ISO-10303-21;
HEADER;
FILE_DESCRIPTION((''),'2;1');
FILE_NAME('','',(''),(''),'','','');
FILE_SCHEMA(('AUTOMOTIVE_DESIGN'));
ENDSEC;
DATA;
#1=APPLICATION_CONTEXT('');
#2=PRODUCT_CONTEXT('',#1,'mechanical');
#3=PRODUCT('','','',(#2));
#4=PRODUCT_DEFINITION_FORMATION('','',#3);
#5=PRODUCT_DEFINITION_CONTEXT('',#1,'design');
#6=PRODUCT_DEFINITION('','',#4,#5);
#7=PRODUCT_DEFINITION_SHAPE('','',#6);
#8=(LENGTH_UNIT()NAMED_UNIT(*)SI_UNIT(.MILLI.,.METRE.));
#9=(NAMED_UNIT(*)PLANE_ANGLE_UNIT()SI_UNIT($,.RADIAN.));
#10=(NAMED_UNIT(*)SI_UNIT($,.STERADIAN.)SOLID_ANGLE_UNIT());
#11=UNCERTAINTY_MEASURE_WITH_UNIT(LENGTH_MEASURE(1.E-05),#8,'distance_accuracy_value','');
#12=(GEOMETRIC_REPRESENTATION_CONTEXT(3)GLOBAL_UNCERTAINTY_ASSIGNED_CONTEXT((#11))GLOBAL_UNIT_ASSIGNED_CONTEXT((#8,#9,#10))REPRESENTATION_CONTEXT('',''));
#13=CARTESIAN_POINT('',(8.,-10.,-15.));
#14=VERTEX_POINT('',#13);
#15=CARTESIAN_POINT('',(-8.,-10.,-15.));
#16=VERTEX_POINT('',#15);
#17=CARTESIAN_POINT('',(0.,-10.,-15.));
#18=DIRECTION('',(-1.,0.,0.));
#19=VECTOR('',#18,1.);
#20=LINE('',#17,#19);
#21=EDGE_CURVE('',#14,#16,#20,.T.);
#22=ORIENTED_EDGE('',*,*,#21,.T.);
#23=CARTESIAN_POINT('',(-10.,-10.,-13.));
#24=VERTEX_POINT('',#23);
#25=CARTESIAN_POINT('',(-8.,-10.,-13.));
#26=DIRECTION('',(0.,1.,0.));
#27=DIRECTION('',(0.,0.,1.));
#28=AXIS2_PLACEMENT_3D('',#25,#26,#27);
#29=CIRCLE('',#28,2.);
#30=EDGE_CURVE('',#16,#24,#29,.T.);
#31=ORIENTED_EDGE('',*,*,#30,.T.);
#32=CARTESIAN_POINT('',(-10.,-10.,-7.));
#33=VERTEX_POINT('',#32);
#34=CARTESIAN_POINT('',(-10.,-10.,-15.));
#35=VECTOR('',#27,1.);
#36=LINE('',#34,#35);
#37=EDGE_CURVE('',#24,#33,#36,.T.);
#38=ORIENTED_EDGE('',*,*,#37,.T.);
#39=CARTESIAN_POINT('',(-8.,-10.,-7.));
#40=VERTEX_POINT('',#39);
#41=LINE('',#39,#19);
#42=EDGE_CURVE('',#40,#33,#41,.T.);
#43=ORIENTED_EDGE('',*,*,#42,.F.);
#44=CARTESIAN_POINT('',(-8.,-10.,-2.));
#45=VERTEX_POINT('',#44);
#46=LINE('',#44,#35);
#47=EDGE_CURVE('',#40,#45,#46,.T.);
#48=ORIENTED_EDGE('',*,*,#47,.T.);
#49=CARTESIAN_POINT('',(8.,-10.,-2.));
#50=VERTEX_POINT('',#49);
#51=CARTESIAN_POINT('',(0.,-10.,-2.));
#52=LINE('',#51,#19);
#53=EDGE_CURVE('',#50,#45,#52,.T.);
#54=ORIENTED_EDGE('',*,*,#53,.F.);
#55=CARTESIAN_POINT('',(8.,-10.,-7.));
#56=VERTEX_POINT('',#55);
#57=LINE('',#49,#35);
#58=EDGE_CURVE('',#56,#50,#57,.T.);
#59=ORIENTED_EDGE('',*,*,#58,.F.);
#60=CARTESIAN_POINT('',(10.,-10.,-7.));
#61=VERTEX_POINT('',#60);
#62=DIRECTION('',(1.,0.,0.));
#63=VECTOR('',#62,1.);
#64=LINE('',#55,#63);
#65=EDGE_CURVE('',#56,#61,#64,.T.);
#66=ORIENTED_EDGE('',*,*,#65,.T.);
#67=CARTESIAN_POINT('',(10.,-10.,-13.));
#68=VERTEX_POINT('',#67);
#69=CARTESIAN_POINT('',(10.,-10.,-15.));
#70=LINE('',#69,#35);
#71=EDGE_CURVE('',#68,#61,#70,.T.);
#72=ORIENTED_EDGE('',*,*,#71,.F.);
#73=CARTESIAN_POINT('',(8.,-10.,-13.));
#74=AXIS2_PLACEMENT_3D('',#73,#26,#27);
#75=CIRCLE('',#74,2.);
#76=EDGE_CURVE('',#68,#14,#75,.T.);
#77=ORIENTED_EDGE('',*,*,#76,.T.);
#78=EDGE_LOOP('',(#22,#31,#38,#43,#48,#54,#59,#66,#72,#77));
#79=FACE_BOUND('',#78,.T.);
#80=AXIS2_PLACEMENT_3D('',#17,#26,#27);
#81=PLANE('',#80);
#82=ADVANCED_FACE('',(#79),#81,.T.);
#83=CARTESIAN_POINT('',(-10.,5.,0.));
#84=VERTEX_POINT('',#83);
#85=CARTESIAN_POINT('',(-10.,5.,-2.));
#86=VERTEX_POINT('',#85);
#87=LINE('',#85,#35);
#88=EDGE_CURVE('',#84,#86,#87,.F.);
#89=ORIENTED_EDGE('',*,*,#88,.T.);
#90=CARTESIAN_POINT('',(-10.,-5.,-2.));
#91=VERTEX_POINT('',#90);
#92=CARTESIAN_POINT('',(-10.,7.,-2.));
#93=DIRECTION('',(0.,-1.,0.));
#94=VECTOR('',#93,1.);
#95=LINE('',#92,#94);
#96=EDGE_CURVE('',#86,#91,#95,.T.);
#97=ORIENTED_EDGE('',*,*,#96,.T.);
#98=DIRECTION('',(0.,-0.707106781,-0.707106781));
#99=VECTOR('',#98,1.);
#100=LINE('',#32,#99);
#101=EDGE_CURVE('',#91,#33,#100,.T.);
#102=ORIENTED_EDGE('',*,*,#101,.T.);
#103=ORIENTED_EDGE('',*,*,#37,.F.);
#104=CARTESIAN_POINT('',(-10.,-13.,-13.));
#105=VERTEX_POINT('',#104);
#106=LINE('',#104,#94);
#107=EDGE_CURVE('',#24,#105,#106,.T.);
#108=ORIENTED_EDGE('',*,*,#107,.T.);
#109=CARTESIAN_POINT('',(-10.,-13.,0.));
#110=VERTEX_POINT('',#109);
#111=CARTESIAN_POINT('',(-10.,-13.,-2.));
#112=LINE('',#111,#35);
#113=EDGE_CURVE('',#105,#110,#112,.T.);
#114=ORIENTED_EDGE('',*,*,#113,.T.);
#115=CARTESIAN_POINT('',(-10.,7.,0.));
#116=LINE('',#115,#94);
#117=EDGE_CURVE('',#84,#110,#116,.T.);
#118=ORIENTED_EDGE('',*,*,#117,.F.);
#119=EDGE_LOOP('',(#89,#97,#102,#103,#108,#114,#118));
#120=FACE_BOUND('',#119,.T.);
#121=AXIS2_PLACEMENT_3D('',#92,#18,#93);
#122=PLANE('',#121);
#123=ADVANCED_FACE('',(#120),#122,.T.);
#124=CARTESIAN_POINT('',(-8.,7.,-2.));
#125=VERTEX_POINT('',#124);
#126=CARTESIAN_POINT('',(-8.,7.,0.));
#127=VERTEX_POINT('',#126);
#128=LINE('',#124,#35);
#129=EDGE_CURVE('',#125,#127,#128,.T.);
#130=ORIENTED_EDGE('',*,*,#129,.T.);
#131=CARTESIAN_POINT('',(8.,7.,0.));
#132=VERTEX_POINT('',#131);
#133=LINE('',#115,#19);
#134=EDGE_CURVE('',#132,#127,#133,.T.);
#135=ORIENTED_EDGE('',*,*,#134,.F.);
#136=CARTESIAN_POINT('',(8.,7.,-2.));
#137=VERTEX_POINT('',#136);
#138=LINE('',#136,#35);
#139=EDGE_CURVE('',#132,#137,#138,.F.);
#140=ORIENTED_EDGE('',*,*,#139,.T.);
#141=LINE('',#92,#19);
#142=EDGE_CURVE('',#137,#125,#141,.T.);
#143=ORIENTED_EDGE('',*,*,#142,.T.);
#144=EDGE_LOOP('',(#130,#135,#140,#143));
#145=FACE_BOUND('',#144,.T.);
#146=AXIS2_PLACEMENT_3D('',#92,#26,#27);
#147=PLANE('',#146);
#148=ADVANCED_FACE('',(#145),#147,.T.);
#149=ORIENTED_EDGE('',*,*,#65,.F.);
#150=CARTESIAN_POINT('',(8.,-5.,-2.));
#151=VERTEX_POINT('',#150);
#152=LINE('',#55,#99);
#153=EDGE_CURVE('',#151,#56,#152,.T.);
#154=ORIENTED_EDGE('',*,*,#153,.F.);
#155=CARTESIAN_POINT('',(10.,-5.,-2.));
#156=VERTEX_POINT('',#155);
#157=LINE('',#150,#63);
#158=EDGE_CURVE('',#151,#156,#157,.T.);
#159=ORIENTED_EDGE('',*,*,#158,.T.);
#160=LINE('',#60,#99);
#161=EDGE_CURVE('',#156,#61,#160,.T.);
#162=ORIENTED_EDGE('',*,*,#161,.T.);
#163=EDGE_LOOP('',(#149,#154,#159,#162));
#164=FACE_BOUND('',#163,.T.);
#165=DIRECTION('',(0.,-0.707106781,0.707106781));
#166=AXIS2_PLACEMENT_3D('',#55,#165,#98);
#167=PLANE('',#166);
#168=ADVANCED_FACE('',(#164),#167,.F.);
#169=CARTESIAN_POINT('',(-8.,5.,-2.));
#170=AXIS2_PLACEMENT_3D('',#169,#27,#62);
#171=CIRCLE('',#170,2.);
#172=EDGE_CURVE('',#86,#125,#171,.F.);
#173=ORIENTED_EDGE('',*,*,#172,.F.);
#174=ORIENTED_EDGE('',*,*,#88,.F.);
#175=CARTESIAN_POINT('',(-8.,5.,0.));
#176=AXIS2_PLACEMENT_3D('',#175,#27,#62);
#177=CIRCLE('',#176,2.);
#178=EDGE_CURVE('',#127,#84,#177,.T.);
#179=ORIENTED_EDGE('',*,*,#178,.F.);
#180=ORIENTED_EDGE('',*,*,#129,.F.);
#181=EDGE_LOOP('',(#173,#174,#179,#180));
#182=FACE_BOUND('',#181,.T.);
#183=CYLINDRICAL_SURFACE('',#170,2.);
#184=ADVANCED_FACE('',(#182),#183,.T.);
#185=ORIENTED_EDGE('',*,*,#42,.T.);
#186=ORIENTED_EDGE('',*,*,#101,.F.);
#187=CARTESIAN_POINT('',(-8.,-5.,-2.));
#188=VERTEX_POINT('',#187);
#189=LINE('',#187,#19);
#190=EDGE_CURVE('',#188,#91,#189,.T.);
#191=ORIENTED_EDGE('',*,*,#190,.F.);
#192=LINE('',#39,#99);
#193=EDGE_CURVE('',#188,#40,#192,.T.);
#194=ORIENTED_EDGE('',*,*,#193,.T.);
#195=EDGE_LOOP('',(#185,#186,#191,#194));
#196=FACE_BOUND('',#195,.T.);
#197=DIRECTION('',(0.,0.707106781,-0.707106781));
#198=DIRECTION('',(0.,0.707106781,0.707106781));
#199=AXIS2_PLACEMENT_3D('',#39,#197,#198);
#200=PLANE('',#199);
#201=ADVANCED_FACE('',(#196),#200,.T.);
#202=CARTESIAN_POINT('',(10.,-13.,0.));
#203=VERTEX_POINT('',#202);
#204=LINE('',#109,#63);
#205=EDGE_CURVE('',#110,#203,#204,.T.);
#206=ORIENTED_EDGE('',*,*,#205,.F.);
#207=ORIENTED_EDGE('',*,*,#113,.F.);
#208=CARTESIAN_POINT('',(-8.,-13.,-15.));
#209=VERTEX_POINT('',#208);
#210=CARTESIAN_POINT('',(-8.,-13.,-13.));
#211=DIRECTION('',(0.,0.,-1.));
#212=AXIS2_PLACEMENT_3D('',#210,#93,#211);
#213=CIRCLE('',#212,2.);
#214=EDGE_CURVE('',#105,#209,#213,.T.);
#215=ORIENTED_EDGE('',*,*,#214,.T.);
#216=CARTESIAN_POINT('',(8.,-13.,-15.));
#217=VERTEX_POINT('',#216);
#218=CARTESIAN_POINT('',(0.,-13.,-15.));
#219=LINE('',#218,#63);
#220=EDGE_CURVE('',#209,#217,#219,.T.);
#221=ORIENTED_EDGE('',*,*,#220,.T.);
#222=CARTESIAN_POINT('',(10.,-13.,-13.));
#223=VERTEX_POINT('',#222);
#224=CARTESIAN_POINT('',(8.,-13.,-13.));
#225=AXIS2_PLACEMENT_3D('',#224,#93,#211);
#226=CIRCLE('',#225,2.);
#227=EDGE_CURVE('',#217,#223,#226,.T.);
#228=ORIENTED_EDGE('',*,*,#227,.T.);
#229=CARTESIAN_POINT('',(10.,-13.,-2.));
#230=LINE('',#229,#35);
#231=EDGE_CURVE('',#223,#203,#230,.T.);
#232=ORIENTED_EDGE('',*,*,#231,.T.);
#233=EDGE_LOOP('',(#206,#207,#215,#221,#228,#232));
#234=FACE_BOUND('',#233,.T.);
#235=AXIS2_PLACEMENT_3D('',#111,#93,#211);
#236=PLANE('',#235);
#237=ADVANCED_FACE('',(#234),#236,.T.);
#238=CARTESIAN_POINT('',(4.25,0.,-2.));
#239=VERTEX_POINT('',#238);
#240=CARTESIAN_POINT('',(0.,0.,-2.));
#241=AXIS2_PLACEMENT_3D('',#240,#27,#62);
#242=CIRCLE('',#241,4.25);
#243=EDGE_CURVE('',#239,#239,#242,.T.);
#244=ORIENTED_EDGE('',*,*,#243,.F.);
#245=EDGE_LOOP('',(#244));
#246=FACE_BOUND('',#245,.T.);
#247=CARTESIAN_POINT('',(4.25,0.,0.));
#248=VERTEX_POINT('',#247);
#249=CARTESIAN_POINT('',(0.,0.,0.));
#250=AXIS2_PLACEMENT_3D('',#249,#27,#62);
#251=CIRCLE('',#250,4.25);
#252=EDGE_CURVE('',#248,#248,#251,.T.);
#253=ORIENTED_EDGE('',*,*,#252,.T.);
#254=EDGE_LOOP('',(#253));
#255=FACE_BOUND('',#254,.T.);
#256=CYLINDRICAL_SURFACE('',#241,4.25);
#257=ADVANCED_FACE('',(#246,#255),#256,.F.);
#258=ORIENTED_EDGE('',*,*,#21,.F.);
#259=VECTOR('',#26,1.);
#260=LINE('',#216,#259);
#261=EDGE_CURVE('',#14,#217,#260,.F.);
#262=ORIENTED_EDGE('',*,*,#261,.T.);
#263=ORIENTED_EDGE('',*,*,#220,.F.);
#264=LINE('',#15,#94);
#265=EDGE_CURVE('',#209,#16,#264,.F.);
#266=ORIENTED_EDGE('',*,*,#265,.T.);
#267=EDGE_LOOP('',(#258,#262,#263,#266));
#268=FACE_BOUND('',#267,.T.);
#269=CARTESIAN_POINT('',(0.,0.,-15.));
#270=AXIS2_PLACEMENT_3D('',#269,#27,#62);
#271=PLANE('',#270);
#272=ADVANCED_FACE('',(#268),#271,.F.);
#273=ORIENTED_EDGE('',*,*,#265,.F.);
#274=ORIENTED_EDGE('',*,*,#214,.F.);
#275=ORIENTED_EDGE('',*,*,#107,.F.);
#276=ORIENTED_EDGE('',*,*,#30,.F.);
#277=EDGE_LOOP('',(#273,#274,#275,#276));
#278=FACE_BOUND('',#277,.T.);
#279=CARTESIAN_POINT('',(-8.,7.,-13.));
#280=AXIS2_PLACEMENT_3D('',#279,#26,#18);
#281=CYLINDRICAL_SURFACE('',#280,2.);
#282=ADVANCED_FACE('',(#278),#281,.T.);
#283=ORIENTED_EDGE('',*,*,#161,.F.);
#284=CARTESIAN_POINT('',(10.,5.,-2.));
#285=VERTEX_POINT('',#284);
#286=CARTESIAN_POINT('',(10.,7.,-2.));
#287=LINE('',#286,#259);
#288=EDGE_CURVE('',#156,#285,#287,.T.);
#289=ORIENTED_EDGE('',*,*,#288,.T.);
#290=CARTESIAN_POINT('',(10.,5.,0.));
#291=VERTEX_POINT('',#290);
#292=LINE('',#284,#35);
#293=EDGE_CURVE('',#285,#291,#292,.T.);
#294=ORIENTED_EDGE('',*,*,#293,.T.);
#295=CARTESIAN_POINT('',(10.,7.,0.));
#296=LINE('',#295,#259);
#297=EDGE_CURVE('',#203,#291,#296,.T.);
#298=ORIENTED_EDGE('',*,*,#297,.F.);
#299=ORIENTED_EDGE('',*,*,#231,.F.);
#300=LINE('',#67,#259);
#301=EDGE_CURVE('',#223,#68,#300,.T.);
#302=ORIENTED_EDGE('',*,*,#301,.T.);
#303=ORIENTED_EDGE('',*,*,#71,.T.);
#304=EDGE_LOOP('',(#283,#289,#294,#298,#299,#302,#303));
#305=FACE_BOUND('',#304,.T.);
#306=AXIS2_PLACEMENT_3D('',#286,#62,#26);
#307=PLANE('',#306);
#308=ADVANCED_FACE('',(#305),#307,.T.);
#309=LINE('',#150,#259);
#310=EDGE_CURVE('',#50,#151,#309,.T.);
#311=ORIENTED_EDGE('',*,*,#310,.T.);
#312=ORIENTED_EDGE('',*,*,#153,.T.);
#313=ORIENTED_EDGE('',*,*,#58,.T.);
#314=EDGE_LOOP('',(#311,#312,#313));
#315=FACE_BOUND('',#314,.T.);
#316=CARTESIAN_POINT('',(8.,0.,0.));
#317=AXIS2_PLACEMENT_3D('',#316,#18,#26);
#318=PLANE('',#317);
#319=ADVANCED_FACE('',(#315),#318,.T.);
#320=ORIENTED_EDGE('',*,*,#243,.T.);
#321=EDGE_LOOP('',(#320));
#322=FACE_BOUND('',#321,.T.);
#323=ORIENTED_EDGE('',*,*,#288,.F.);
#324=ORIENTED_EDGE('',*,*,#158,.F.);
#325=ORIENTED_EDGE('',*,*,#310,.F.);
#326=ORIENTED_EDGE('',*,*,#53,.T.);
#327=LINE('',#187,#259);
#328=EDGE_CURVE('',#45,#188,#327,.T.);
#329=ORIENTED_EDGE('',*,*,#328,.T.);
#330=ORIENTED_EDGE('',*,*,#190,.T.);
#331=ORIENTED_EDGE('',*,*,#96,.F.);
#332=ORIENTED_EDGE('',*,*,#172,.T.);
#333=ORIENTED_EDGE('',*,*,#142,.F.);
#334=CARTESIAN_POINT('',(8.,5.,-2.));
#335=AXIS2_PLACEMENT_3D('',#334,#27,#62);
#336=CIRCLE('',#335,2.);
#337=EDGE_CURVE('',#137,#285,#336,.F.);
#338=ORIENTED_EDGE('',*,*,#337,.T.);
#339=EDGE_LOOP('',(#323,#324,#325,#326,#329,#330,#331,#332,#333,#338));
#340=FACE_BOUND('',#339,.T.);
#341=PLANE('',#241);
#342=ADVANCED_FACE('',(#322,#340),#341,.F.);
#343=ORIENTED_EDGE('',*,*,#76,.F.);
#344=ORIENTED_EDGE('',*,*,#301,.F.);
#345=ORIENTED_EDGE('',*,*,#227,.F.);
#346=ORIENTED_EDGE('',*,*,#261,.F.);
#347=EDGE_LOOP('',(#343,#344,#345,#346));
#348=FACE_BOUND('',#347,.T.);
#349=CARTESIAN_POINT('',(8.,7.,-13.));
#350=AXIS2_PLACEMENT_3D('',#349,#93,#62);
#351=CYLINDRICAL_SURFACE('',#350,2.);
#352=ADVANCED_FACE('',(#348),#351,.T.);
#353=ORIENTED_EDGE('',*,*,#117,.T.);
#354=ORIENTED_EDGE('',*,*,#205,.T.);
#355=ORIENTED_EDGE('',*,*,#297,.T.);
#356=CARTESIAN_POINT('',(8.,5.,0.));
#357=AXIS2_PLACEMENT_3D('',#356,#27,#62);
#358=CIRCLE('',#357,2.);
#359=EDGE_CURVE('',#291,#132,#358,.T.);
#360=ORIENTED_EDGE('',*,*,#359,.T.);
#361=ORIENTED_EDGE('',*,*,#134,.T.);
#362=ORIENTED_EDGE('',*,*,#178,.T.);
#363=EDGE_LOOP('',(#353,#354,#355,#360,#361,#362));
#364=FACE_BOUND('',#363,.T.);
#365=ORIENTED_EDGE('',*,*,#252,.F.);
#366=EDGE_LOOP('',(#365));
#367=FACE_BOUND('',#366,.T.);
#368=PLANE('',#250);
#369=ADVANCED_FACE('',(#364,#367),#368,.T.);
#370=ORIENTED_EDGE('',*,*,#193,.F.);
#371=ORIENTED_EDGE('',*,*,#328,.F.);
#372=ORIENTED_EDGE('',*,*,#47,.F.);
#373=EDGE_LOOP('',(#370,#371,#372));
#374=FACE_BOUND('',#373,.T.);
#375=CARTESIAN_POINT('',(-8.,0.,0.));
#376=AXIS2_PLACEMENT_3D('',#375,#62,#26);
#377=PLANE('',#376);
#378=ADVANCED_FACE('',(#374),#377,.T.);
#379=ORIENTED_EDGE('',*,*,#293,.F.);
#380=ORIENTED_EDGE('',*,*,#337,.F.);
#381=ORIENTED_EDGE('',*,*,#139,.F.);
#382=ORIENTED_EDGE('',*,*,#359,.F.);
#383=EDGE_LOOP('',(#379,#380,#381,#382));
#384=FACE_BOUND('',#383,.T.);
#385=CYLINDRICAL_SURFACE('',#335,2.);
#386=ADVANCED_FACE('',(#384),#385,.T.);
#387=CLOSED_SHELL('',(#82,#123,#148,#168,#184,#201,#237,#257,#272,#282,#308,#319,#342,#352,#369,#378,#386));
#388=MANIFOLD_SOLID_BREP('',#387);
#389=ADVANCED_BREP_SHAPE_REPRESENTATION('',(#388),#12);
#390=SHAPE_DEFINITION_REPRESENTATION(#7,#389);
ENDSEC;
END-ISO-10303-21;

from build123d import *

# Parameters (mm, degrees)
SKICA1_W                = 20
SKICA1_H                = 20
SKICA1_R                = 4.25
P_IDAT_VYSUNUT_M1_DEPTH = 2
P_IDAT_START            = -2
SKICA2_W                = 20
SKICA2_H                = 3
P_IDAT_VYSUNUT_M2_DEPTH = 15
P_IDAT_VYSUNUT_M3_DEPTH = 2
ZAOBLIT1_R              = 2
ZAOBLIT2_R              = 2


with BuildPart() as part:
    # Skica1 → Přidat vysunutím1 (new body)
    with BuildSketch(Plane.XY):
        with Locations((0, -3)):
            Rectangle(SKICA1_W, SKICA1_H)
        Circle(SKICA1_R, mode=Mode.SUBTRACT)
    extrude(amount=-P_IDAT_VYSUNUT_M1_DEPTH)

    # Skica2 → Přidat vysunutím2 (add)
    with BuildSketch(Plane(origin=(0, 0, -2), x_dir=(-1, 0, 0), z_dir=(0, 0, -1)).offset(P_IDAT_START)):
        with Locations((0, -11.5)):
            Rectangle(SKICA2_W, SKICA2_H)
    extrude(amount=P_IDAT_VYSUNUT_M2_DEPTH)

    # Skica3 → Přidat vysunutím3 (add)
    with BuildSketch(Plane.ZY.offset(10)):
        Polygon((-2, -10), (-7, -10), (-2, -5), align=None)
    p_idat_vysunut_m3 = extrude(amount=-P_IDAT_VYSUNUT_M3_DEPTH)

    # Zrcadlit1: Přidat vysunutím3 across plane
    add(p_idat_vysunut_m3.mirror(Plane(origin=(0, 0, 0), x_dir=(0, 0, 1), z_dir=(1, 0, 0))))

    # Zaoblit1
    zaoblit1_edges = [part.edges().sort_by_distance(p)[0] for p in [
        (-10, 7, -1),
        (10, 7, -1),
    ]]
    fillet(zaoblit1_edges, radius=ZAOBLIT1_R)

    # Zaoblit2
    zaoblit2_edges = [part.edges().sort_by_distance(p)[0] for p in [
        (-10, -11.5, -15),
        (10, -11.5, -15),
    ]]
    fillet(zaoblit2_edges, radius=ZAOBLIT2_R)


solid = part.part
